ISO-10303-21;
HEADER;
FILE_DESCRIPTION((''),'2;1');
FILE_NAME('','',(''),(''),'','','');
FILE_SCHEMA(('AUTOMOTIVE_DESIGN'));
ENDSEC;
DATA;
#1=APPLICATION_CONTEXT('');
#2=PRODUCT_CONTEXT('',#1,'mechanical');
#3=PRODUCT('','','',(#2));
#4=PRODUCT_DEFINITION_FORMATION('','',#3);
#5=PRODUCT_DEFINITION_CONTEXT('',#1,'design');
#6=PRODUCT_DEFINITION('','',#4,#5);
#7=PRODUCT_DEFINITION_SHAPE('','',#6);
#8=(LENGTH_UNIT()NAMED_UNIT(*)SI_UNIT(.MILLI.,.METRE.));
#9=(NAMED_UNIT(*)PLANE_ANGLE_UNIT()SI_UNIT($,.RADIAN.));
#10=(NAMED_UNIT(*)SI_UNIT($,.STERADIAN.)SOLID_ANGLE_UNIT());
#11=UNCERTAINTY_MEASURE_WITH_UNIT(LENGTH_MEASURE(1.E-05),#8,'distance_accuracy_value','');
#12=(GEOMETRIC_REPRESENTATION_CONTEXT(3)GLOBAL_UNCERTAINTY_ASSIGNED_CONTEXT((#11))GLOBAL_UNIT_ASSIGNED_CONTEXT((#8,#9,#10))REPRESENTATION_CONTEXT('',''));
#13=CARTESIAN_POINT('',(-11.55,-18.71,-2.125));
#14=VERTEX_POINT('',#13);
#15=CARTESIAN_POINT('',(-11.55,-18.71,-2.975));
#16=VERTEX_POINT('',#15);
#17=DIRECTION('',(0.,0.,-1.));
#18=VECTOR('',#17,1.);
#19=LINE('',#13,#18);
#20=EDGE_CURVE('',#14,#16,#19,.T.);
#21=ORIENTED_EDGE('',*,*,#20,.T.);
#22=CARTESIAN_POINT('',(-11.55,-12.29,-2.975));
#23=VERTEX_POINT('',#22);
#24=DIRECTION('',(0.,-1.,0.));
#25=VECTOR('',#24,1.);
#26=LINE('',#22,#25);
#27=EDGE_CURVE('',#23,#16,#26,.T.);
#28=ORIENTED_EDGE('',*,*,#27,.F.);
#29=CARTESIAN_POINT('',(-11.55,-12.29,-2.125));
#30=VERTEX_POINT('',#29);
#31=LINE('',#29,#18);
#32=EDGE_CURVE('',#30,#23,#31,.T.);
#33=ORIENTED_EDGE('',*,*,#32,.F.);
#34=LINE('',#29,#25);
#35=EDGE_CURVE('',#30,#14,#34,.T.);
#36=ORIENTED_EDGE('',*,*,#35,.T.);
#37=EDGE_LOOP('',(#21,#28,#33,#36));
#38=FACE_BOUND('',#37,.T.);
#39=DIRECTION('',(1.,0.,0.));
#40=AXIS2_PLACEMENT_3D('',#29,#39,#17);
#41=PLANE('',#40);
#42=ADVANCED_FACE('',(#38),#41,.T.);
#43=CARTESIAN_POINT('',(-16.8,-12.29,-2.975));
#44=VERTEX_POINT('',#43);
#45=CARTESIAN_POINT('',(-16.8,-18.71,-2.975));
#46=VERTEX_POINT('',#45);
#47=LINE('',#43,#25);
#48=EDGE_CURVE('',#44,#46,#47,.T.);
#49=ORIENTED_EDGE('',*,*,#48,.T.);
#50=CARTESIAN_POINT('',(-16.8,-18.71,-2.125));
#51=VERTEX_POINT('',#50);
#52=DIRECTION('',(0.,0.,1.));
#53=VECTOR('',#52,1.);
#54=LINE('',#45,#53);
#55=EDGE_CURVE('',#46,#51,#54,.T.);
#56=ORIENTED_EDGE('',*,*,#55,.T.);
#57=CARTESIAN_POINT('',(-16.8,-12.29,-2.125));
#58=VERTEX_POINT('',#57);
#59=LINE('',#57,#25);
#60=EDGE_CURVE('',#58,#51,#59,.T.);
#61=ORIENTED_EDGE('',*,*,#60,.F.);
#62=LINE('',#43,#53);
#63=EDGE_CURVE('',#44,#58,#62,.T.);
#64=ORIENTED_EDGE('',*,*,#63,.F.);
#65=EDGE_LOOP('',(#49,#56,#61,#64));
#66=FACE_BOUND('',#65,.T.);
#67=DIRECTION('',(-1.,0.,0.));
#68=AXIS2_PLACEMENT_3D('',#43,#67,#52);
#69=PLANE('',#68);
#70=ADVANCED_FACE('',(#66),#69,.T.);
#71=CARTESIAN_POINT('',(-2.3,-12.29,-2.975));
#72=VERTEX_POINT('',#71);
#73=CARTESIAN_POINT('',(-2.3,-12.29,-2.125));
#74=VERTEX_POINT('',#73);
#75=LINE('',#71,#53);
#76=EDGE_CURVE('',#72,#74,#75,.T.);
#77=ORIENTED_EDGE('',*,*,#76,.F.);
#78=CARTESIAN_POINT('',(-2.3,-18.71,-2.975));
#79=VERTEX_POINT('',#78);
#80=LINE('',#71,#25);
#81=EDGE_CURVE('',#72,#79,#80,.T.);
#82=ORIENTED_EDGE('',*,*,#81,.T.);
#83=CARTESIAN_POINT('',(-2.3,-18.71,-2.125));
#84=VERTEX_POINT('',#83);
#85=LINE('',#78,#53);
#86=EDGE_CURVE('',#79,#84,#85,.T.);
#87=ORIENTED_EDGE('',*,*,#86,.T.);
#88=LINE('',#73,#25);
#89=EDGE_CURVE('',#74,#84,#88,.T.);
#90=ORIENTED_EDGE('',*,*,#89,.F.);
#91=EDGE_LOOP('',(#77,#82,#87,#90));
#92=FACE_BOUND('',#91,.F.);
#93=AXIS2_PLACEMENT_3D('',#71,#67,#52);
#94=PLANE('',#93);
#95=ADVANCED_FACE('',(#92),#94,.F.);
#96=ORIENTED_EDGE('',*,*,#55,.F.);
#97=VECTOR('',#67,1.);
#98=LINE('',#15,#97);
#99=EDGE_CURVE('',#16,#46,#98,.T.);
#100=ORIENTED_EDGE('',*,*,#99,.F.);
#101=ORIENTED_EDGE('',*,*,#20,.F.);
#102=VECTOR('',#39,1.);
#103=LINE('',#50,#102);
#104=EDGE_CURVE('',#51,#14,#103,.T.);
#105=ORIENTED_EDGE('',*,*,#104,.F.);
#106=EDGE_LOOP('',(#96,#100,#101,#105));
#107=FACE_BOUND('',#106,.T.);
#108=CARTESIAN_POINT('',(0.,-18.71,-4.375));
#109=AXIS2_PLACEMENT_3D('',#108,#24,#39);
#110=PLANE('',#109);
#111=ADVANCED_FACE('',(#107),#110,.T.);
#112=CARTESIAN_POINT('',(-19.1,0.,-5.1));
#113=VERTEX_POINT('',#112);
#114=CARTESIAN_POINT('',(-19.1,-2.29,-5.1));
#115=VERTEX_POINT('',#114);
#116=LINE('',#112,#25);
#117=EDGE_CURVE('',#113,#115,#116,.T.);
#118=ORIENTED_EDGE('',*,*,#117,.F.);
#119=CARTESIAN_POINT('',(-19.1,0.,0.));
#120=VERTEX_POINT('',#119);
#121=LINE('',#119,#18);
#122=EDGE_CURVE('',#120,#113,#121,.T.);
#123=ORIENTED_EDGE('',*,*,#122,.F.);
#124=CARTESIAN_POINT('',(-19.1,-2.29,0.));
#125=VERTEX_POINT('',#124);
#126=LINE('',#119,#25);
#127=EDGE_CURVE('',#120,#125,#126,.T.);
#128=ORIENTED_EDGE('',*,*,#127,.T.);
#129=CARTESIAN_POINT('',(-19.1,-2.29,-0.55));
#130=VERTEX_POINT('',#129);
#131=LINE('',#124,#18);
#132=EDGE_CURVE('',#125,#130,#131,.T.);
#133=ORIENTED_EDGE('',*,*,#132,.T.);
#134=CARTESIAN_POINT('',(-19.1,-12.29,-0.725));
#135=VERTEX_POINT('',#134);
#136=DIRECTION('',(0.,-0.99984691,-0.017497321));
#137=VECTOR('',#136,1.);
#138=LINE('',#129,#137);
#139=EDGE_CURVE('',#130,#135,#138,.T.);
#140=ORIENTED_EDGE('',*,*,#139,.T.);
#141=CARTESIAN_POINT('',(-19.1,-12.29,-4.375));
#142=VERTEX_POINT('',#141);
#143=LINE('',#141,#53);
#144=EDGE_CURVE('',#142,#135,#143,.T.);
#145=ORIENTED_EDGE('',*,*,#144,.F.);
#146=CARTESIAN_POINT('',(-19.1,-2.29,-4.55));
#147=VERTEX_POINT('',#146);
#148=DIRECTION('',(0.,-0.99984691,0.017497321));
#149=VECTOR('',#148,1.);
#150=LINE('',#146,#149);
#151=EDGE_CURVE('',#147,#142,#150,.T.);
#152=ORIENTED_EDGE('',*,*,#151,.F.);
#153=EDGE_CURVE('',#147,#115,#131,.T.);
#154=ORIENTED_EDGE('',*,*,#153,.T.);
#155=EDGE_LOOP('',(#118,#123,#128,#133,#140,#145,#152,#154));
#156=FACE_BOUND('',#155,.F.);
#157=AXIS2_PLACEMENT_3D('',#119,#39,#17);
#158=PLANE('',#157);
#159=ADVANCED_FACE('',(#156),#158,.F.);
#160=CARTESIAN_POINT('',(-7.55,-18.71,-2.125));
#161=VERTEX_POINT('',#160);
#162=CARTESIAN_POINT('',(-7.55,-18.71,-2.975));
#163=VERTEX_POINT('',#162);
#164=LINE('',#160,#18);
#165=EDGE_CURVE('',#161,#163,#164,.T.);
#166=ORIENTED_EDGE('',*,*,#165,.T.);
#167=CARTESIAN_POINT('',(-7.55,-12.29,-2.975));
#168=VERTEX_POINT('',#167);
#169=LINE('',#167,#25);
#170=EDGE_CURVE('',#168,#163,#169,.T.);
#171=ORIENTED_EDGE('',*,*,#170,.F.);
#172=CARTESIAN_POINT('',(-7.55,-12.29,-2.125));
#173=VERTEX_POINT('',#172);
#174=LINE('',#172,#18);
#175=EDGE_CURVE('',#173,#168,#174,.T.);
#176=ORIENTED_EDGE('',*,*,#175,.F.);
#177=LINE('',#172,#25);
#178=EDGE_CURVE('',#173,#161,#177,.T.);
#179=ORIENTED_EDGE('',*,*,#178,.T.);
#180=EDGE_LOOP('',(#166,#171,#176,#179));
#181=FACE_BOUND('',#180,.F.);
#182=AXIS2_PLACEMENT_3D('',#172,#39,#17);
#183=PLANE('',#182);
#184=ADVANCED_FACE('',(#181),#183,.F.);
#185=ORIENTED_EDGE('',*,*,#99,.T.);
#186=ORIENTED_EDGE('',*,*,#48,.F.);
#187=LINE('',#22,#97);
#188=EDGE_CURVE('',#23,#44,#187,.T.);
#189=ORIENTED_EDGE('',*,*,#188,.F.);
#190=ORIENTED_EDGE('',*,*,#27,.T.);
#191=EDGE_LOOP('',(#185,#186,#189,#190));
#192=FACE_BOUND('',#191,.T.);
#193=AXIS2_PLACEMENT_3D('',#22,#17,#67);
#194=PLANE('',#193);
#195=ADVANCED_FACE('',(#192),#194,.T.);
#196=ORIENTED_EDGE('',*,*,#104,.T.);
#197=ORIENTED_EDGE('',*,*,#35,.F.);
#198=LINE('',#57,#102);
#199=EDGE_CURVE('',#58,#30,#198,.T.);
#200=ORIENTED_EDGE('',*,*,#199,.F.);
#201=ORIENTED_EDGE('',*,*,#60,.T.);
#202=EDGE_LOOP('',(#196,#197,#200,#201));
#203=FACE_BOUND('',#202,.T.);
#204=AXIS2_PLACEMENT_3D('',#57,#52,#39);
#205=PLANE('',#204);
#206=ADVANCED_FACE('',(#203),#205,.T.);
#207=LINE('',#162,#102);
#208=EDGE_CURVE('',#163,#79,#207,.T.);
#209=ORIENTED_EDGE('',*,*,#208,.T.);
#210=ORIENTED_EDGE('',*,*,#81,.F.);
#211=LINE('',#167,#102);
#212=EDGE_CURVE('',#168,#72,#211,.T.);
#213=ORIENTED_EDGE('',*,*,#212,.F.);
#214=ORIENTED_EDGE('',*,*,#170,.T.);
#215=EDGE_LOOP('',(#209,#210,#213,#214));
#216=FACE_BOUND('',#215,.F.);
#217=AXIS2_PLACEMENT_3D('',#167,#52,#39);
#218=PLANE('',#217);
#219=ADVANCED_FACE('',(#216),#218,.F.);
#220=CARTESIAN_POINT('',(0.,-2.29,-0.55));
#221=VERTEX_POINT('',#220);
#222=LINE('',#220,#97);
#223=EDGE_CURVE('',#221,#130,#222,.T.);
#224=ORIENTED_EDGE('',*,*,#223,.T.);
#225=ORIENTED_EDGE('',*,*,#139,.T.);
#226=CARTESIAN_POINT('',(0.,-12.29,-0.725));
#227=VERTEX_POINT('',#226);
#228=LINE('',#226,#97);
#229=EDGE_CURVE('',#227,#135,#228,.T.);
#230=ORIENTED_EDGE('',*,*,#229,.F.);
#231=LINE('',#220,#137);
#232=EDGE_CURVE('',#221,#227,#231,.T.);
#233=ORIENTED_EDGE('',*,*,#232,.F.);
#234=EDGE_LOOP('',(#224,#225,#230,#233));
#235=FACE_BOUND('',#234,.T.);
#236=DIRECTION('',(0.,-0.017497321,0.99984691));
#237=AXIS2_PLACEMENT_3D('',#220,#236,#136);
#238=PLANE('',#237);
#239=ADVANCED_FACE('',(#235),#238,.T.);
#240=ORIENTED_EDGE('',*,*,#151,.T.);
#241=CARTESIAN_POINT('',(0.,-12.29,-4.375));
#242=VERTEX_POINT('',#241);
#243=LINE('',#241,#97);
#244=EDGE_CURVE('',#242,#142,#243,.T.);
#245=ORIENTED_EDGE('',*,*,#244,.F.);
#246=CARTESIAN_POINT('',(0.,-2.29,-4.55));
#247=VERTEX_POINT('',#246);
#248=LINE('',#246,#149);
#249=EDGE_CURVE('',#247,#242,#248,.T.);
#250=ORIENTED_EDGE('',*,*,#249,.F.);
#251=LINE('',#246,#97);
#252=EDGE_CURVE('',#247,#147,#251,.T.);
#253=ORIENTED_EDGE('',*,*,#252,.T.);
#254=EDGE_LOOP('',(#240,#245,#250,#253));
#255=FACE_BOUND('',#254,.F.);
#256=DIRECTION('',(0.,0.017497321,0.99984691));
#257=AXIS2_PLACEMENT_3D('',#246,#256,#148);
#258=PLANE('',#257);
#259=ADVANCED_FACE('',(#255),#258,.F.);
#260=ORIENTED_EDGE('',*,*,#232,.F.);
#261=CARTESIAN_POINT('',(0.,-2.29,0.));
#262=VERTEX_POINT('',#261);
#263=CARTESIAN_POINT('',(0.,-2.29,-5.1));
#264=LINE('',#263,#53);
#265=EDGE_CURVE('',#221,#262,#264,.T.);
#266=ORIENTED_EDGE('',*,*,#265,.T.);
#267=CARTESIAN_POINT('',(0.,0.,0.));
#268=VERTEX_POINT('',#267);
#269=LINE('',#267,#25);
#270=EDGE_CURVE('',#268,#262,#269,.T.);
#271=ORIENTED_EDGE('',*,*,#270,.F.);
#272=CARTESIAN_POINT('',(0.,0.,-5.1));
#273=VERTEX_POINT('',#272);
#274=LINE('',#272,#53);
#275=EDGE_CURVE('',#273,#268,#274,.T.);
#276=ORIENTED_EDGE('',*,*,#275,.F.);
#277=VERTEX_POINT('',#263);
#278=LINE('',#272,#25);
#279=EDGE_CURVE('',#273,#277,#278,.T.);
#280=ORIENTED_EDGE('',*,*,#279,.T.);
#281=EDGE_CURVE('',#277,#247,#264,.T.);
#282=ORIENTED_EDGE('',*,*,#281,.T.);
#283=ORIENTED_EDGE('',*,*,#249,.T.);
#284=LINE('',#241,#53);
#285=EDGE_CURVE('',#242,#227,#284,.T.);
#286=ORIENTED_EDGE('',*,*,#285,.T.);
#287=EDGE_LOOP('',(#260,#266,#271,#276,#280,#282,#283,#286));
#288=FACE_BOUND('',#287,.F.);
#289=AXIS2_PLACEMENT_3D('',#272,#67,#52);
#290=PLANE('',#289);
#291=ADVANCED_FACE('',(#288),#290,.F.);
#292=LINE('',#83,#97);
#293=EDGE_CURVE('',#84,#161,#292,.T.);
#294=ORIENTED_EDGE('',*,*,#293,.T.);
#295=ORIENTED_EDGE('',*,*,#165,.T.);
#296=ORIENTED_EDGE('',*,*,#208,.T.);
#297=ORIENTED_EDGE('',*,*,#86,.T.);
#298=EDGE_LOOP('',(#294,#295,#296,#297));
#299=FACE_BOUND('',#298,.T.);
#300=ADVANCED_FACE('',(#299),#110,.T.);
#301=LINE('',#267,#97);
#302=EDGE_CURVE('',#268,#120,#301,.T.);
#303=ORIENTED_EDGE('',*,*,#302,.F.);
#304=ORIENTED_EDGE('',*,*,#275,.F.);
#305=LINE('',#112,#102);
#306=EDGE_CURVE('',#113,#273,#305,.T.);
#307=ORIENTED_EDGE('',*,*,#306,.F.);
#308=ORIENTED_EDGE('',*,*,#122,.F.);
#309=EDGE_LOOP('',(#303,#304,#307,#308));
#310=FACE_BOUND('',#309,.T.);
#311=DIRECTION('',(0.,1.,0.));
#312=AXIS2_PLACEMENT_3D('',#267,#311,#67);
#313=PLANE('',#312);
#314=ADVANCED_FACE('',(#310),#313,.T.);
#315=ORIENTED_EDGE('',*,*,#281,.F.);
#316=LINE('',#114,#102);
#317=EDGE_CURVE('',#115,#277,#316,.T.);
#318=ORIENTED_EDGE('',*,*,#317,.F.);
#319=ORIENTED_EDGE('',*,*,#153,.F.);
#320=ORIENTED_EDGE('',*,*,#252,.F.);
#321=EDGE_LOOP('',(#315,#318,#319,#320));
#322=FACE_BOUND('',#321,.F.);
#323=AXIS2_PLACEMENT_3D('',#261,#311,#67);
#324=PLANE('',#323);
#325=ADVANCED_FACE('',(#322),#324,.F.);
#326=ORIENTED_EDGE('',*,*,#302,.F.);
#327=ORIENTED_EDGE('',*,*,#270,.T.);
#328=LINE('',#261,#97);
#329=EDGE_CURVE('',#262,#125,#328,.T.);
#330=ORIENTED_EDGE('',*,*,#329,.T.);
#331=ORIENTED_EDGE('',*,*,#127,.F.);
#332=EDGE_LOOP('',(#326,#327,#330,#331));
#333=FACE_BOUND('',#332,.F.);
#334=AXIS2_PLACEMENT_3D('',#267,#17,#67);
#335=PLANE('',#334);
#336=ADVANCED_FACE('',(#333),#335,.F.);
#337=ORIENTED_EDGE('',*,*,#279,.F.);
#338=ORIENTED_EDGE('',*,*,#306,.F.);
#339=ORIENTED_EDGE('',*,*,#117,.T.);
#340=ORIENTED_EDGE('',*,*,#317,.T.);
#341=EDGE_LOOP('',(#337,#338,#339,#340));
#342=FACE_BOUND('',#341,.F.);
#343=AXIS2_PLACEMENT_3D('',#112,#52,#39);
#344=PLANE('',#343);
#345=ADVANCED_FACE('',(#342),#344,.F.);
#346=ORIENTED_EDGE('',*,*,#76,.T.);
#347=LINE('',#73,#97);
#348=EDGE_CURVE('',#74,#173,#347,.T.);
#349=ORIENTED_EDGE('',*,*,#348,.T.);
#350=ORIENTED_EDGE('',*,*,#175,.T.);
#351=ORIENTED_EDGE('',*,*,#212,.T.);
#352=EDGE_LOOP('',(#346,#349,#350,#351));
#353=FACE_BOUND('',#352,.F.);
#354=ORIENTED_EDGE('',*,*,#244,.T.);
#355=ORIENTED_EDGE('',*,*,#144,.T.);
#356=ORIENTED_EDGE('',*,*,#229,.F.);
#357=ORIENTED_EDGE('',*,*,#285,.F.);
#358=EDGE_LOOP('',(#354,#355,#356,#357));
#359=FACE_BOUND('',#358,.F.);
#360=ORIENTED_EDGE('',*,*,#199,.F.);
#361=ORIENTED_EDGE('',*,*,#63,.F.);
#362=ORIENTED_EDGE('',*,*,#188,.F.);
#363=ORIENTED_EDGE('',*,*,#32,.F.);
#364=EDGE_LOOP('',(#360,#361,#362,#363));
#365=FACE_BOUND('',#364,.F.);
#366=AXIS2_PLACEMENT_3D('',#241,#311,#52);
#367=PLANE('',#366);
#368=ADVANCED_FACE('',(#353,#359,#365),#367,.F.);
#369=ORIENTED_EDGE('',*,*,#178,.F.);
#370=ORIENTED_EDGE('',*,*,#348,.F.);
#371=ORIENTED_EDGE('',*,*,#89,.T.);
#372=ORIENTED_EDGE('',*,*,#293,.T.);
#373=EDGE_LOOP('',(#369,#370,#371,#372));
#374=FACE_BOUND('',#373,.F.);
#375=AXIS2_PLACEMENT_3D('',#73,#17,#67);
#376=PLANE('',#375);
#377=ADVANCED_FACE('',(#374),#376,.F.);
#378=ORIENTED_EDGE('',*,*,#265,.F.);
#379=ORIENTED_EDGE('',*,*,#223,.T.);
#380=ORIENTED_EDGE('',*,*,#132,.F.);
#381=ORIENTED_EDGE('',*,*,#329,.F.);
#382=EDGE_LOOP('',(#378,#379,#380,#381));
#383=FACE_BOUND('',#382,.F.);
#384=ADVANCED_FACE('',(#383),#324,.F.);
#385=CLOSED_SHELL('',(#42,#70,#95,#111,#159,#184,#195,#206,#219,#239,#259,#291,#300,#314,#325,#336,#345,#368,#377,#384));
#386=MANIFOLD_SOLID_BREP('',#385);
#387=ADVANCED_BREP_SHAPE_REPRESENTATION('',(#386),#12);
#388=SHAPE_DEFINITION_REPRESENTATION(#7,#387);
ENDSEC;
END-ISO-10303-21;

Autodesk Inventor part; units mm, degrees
ref_plane "YZ Plane" through (0, 0, 0) normal (1, 0, 0) x (0, 1, 0)
ref_plane "XZ Plane" through (0, 0, 0) normal (0, 1, 0) x (-1, 0, 0)
ref_plane "XY Plane" through (0, 0, 0) normal (0, 0, 1) x (1, 0, 0)
sketch "Sketch1" plane through (0, 0, 0) normal (0, 1, 0) x (-1, 0, 0)
  line L0 (0, 0) -> (19.1, 0)
  line L1 (19.1, 0) -> (19.1, -5.1)
  line L2 (19.1, -5.1) -> (0, -5.1)
  line L3 (0, -5.1) -> (0, 0)
  dimension "d0" = 19.1
  dimension "d1" = 5.1
extrude "Extrusion1" add sketch "Sketch1" against normal blind 2.29
sketch "Sketch2" plane through (0, 0, 0) normal (1, 0, 0) x (0, 1, 0)
  line L0 (-2.29, -5.1) -> (-2.29, 0) projected
  line L1 (-2.29, -4.375) -> (-12.29, -4.375) construction
  line L2 (-12.29, -4.375) -> (-12.29, -0.725)
  line L3 (-12.29, -0.725) -> (-2.29, -0.725) construction
  line L4 (-2.29, -0.725) -> (-2.29, -4.375)
  line L5 (0, -5.1) -> (-2.29, -5.1) projected
  line L6 (-2.29, -4.55) -> (-2.29, -0.55)
  line L7 (-2.29, -4.55) -> (-12.29, -4.375)
  line L8 (-2.29, -0.55) -> (-12.29, -0.725)
  point P0 (0, 0)
  dimension "d5" = 3.65
  dimension "d6" = 0.725
  dimension "d7" = 4
  dimension "d8" = 0.55
  dimension "d19" = 10
extrude "Extrusion2" add sketch "Sketch2" against normal blind 19.1
sketch "Sketch3" plane through (0, -12.29, -4.375) normal (0, -1, 0) x (1, 0, 0)
  line L0 (-16.8, 2.25) -> (-2.3, 2.25) construction
  line L1 (-2.3, 2.25) -> (-2.3, 1.4) construction
  line L2 (-2.3, 1.4) -> (-16.8, 1.4) construction
  line L3 (-16.8, 1.4) -> (-16.8, 2.25) construction
  line L4 (-19.1, 0) -> (-19.1, 3.65) projected
  line L5 (0, 3.65) -> (-19.1, 3.65) projected
  line L6 (-16.8, 2.25) -> (-11.55, 2.25)
  line L7 (-11.55, 2.25) -> (-11.55, 1.4)
  line L8 (-11.55, 1.4) -> (-16.8, 1.4)
  line L9 (-16.8, 1.4) -> (-16.8, 2.25)
  line L10 (-2.3, 2.25) -> (-7.55, 2.25)
  line L11 (-7.55, 2.25) -> (-7.55, 1.4)
  line L12 (-7.55, 1.4) -> (-2.3, 1.4)
  line L13 (-2.3, 1.4) -> (-2.3, 2.25)
  point P0 (0, 4.375)
  dimension "d11" = 14.5
  dimension "d12" = 2.3
  dimension "d13" = 0.85
  dimension "d14" = 1.4
  dimension "d15" = 5.25
  dimension "d16" = 5.25
extrude "Extrusion3" add sketch "Sketch3" along normal blind 6.42
properties part number "fuse"
